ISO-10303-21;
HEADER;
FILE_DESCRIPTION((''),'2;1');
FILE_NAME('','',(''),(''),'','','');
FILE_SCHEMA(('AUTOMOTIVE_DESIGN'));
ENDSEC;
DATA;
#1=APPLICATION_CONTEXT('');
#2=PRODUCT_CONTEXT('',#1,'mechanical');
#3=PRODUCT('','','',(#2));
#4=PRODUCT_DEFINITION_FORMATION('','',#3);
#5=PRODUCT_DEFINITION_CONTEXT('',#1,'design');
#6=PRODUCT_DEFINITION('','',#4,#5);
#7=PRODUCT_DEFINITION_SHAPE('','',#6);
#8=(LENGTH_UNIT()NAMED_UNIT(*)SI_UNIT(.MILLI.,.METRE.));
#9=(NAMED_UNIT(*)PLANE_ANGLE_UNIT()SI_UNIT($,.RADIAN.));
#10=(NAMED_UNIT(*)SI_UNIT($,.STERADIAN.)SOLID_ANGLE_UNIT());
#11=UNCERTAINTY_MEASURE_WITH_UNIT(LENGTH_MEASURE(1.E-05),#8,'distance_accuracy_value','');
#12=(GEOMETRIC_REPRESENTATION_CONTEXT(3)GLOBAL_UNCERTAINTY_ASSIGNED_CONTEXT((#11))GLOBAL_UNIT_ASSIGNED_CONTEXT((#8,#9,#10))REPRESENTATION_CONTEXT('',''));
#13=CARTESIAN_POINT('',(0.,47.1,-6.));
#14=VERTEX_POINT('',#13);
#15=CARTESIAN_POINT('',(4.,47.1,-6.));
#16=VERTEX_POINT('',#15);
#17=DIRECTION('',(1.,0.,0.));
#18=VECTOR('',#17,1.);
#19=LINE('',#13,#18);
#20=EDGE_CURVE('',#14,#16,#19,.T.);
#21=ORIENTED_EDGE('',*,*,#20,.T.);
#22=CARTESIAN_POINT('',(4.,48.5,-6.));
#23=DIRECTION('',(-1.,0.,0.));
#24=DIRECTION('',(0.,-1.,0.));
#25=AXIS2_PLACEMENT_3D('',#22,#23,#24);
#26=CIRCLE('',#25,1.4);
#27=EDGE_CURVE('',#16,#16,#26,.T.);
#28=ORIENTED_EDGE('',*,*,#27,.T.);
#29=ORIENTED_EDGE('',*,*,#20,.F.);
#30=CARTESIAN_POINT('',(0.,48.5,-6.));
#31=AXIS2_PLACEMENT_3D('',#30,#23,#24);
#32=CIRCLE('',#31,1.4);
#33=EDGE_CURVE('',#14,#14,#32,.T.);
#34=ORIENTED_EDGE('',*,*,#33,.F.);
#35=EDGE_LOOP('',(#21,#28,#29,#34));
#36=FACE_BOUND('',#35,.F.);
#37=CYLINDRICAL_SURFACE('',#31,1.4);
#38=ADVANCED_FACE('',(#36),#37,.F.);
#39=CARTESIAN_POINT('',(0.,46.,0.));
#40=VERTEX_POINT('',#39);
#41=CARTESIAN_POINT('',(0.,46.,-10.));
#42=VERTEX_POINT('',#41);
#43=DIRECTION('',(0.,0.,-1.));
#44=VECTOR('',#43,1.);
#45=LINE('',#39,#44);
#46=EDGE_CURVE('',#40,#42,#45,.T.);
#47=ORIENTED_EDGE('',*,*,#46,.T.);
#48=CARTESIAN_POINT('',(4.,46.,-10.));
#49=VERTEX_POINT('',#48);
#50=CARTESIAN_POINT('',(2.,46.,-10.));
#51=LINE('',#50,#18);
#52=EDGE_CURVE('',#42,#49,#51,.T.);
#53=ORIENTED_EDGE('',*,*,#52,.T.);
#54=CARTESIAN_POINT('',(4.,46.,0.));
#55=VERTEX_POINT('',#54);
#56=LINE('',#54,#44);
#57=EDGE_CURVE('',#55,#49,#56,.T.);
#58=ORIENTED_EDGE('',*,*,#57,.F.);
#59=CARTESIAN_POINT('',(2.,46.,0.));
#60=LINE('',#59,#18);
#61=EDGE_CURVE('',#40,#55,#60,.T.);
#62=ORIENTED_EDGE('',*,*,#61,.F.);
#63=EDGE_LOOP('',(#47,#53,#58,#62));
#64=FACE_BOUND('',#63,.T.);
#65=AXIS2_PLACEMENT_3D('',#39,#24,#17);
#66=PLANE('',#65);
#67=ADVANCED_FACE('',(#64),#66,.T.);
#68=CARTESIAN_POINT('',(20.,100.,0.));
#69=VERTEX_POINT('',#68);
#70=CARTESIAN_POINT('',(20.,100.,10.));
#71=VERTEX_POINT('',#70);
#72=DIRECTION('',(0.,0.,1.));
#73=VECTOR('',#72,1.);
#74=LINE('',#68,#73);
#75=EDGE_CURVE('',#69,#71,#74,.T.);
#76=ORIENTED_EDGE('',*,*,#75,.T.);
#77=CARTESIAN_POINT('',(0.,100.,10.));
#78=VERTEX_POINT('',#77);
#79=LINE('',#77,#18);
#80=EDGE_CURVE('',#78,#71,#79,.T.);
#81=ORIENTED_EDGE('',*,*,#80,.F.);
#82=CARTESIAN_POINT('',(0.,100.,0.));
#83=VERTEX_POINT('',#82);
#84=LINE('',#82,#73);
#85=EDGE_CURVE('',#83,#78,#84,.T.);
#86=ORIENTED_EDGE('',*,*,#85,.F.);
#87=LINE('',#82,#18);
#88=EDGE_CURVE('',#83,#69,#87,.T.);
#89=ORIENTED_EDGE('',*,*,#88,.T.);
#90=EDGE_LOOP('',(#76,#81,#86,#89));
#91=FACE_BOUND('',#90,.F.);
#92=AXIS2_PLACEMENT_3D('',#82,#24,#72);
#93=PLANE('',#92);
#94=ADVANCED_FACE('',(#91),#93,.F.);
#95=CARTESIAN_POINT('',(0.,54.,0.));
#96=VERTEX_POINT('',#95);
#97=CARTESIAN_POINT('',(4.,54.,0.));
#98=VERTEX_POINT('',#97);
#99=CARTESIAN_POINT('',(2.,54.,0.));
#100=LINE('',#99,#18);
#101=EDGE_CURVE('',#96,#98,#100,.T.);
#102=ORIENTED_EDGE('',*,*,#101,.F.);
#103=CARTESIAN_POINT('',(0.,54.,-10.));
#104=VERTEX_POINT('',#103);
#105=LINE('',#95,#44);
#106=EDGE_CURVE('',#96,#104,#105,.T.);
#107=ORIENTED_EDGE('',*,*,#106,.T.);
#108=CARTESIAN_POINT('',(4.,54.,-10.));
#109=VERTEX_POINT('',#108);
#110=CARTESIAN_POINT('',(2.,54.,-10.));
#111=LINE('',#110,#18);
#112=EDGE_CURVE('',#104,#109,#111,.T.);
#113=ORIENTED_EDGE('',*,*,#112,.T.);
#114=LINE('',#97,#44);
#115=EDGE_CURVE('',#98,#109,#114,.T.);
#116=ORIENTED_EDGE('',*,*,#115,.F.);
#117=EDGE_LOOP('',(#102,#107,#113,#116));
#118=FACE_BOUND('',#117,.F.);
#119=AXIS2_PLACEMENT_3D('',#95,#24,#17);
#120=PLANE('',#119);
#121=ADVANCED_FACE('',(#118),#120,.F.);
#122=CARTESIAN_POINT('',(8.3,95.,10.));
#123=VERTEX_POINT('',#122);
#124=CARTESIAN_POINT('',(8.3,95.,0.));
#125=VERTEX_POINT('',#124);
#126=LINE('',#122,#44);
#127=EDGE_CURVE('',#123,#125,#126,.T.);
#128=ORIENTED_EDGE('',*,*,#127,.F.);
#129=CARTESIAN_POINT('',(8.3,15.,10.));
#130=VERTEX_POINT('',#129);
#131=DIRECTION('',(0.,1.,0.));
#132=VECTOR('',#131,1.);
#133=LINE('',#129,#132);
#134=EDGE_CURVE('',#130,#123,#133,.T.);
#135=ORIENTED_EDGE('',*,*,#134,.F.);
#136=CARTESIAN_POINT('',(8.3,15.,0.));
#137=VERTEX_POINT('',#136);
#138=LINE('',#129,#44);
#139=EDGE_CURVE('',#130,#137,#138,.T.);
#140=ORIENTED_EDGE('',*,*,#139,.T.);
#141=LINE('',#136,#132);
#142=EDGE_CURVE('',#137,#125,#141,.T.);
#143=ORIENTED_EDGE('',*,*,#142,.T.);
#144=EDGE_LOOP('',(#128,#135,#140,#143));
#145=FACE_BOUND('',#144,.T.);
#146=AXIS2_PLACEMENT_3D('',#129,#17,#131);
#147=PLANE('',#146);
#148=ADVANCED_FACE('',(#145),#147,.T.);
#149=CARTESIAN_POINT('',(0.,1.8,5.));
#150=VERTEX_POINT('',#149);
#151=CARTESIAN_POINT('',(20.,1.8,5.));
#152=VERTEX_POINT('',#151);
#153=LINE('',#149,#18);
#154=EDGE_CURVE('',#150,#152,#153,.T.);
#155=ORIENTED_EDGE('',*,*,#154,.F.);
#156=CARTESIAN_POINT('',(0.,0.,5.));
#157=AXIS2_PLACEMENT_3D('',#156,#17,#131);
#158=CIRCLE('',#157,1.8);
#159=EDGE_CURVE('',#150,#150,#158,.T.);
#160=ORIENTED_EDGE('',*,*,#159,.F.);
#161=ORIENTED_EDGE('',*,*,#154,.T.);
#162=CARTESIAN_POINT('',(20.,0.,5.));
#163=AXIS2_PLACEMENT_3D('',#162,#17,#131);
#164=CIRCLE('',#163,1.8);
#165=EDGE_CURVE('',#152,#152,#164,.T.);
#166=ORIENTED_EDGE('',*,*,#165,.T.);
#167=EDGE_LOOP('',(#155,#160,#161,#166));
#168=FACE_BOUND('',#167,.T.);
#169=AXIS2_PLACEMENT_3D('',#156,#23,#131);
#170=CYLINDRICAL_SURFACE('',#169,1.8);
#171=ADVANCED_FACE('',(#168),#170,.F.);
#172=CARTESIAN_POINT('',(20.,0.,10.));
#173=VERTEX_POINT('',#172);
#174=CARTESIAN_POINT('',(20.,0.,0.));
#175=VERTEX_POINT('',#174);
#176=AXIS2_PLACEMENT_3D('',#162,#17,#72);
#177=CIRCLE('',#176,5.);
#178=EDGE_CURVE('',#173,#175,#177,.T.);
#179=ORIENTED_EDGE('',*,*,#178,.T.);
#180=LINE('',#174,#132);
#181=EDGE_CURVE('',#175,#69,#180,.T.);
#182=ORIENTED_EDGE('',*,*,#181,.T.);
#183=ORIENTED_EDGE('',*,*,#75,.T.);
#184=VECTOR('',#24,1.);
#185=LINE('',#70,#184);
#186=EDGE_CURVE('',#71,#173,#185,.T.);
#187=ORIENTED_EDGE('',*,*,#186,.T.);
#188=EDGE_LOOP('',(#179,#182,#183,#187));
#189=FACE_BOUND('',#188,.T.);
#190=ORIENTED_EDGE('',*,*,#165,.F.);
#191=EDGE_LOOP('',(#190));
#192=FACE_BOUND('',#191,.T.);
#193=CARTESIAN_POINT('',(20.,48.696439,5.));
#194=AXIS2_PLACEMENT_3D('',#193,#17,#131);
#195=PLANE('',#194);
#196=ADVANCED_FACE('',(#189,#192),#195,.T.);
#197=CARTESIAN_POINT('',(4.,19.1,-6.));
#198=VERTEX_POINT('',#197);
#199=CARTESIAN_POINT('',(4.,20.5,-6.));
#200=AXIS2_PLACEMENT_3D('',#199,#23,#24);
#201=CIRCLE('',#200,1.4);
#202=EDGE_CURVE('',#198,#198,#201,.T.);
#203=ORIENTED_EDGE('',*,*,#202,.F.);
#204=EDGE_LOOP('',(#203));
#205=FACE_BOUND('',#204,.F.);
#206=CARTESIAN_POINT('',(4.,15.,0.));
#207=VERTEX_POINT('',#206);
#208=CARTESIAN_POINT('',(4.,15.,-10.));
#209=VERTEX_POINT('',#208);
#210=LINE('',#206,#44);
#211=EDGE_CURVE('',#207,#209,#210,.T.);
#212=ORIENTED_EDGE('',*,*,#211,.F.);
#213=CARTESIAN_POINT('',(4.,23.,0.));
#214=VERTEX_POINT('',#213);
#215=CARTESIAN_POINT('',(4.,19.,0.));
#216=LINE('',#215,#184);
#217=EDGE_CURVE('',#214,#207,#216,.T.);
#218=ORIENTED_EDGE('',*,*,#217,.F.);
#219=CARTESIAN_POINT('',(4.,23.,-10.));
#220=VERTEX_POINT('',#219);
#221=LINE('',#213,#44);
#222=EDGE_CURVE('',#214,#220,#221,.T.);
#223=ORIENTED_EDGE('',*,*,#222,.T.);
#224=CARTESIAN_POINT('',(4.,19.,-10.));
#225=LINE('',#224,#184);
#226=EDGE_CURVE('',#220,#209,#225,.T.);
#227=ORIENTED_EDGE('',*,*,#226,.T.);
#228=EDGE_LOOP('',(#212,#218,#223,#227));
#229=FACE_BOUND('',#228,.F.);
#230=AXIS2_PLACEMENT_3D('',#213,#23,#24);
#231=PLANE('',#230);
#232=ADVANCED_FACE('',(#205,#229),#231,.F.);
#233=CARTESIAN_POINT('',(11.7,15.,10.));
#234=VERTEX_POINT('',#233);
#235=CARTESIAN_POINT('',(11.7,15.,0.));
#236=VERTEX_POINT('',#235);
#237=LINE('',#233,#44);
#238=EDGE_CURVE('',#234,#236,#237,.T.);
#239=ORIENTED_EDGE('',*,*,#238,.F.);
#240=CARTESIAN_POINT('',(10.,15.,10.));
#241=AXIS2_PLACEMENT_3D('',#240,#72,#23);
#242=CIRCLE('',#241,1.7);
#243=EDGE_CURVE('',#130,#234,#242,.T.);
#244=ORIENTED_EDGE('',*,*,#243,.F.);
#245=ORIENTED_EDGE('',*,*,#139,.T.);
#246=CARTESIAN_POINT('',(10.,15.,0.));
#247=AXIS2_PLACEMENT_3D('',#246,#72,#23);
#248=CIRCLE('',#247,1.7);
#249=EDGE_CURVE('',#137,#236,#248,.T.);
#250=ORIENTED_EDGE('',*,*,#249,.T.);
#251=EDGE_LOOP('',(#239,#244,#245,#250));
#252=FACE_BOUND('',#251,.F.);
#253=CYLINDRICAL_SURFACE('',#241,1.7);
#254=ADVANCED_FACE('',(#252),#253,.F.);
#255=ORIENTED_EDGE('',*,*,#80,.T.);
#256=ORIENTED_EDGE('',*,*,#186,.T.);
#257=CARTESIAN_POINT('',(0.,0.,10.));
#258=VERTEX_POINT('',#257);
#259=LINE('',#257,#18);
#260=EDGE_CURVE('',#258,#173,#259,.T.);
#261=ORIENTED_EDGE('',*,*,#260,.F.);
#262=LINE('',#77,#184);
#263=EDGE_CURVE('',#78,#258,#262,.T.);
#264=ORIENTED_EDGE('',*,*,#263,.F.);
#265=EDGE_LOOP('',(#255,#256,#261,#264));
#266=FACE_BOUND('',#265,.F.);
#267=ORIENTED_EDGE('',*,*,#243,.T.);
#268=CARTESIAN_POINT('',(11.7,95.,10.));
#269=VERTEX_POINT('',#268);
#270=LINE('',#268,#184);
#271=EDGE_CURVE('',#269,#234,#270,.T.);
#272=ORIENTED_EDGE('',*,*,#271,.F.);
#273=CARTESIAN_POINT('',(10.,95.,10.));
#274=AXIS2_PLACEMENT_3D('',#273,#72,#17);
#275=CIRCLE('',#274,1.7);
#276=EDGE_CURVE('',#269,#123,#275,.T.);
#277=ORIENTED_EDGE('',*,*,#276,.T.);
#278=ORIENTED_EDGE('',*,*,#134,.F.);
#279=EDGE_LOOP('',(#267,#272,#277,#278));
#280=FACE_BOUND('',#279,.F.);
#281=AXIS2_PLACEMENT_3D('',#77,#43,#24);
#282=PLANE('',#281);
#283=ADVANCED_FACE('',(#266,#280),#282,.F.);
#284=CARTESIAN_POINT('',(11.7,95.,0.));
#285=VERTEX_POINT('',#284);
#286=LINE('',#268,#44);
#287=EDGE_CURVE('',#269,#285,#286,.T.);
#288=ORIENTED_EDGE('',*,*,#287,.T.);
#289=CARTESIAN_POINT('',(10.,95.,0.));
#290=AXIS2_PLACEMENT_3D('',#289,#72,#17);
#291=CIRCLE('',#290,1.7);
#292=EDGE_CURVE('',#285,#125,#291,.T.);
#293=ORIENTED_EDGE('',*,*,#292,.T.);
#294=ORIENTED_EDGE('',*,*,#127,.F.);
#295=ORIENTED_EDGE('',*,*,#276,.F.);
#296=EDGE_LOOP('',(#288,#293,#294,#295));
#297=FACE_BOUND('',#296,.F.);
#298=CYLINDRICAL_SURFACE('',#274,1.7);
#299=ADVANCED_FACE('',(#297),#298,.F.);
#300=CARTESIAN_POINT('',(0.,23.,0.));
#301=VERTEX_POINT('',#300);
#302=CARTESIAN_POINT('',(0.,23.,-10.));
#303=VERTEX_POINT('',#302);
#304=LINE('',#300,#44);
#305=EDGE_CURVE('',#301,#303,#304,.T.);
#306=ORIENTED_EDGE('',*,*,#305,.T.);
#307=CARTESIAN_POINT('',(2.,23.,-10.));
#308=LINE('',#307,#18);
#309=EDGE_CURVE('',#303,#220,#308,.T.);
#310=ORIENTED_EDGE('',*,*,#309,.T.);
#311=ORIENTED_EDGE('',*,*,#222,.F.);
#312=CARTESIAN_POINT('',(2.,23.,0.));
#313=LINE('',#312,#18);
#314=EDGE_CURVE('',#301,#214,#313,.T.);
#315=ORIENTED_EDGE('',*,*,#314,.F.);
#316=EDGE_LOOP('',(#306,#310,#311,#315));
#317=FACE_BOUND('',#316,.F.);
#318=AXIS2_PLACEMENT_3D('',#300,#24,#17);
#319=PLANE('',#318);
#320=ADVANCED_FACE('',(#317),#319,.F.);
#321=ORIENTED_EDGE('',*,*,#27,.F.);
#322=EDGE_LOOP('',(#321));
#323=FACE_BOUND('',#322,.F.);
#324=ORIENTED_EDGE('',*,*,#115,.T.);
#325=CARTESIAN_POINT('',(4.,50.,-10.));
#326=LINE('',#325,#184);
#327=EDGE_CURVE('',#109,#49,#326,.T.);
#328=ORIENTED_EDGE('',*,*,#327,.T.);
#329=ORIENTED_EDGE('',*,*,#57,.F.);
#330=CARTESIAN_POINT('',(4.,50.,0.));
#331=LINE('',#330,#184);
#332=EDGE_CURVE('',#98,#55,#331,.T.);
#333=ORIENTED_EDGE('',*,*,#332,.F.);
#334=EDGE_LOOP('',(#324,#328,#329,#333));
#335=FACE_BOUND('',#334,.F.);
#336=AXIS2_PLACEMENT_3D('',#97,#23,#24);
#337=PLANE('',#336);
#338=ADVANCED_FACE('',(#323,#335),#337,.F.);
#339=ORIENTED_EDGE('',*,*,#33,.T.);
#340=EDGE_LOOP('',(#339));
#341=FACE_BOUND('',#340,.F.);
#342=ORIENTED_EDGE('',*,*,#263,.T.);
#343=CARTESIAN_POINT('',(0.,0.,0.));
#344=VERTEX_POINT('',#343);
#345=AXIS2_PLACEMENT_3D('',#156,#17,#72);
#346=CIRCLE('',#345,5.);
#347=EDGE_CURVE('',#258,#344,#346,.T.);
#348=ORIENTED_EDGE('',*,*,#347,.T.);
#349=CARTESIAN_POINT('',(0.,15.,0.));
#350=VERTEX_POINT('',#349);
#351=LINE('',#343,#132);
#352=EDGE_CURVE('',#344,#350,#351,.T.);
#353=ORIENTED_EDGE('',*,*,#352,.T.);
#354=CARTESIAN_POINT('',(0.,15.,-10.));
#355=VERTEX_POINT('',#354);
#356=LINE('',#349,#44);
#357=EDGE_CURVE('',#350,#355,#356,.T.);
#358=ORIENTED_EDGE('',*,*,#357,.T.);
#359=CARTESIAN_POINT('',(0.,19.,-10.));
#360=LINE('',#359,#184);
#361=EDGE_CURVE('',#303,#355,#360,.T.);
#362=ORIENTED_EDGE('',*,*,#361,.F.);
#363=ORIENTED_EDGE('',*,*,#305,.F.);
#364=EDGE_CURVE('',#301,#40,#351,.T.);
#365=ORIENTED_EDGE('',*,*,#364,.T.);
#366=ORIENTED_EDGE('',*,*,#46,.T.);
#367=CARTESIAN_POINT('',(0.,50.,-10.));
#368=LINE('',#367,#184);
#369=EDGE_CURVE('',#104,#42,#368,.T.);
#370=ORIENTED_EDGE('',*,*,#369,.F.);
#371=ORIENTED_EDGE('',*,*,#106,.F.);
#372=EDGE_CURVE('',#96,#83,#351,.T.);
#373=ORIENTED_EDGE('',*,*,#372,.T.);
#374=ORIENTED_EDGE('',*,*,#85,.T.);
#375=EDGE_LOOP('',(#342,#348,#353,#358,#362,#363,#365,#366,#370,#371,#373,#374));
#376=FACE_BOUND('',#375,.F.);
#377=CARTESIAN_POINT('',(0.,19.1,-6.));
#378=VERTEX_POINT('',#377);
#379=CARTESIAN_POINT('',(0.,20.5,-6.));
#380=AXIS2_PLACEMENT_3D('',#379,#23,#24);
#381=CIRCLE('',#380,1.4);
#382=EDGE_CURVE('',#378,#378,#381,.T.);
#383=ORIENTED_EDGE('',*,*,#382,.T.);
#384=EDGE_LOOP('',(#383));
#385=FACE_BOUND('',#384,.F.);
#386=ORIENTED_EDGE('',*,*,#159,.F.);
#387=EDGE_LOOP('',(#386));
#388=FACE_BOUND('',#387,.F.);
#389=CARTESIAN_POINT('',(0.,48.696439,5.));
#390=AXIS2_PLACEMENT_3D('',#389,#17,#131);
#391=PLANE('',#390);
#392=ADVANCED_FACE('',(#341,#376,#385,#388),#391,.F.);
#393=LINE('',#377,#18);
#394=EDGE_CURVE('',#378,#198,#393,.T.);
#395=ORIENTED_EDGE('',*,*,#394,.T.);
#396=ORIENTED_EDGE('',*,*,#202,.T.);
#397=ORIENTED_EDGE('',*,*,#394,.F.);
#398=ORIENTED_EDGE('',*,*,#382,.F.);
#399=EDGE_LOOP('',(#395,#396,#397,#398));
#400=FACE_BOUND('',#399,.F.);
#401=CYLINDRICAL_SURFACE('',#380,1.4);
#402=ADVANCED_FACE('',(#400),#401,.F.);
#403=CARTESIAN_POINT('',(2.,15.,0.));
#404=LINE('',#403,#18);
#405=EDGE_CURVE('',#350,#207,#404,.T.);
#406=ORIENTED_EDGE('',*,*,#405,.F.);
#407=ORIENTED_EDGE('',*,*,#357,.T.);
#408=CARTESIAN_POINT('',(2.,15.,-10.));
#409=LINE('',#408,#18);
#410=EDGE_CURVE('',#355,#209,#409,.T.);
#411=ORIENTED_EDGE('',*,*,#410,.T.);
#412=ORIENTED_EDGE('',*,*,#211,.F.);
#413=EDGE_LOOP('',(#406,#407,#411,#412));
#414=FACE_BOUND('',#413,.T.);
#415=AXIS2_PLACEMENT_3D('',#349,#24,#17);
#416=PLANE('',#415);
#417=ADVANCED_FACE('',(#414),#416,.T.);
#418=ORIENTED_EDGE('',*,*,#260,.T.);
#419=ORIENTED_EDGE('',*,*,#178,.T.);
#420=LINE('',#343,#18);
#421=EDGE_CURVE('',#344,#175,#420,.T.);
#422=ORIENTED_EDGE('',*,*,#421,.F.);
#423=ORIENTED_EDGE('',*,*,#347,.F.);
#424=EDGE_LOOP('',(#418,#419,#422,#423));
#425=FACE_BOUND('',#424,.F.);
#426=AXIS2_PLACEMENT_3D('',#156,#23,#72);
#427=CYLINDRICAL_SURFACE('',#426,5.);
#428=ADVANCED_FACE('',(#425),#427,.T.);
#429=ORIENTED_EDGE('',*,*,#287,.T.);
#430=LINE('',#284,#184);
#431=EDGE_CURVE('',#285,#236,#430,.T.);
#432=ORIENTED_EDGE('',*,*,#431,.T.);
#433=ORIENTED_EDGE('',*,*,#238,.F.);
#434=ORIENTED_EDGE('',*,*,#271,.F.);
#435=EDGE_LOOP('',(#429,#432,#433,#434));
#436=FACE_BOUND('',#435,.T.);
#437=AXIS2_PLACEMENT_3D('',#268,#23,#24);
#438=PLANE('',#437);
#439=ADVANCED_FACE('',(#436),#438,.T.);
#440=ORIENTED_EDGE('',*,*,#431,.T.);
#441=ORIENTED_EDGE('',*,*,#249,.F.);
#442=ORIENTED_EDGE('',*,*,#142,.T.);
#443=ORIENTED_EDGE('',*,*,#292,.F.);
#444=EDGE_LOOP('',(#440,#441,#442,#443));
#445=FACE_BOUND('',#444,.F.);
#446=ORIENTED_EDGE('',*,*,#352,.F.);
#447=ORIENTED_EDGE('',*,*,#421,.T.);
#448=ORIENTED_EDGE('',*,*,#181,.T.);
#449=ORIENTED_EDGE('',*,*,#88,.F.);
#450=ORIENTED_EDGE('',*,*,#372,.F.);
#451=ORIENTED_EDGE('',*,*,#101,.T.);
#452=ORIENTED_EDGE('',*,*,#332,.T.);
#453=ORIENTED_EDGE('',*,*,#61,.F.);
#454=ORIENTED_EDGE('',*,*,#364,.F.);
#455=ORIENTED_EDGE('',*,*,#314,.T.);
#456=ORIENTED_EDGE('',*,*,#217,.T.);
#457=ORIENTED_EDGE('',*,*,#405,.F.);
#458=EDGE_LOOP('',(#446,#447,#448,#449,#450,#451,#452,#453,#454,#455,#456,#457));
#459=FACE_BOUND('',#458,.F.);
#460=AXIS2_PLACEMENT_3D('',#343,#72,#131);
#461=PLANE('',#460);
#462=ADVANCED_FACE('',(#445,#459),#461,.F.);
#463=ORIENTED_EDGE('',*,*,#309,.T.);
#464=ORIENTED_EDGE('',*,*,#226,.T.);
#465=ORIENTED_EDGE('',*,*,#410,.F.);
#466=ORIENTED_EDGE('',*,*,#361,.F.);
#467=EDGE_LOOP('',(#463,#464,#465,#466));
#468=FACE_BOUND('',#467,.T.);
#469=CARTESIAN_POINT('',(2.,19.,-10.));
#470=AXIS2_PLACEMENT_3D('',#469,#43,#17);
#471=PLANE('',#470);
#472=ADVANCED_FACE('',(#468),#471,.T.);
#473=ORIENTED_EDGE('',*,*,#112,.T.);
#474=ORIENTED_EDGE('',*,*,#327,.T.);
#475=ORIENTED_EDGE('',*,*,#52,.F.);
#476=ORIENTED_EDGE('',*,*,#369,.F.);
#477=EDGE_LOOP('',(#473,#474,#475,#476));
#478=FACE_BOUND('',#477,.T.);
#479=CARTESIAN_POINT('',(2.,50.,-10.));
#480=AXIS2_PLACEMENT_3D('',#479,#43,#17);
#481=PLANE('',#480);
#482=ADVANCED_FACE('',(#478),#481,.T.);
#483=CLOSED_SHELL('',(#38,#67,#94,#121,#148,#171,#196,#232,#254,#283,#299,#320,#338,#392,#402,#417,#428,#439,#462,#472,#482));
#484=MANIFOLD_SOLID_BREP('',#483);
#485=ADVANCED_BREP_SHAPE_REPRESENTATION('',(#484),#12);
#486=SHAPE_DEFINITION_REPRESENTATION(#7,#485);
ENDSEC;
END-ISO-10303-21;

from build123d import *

# Parameters (mm, degrees)
SKETCH_R        = 1.8
PAD_DEPTH       = 20
POCKET_DEPTH    = 10
SKETCH002_W     = 4
SKETCH002_H     = 8
PAD001_DEPTH    = 10
SKETCH003_R     = 1.4
POCKET001_DEPTH = 5


with BuildPart() as part:
    # Sketch → Pad (new body)
    with BuildSketch(Plane.YZ):
        with BuildLine():
            ThreePointArc((0, 10), (-5, 5), (0, 0))
            Line((0, 0), (100, 0))
            Line((100, 0), (100, 10))
            Line((100, 10), (0, 10))
        make_face()
        with Locations((0, 5)):
            Circle(SKETCH_R, mode=Mode.SUBTRACT)
    extrude(amount=PAD_DEPTH)

    # Sketch001 → Pocket (cut)
    with BuildSketch(Plane.XY.offset(10)):
        with BuildLine():
            ThreePointArc((11.7, 95), (10, 96.7), (8.3, 95))
            Line((8.3, 15), (8.3, 95))
            ThreePointArc((8.3, 15), (10, 13.3), (11.7, 15))
            Line((11.7, 95), (11.7, 15))
        make_face()
    extrude(amount=-POCKET_DEPTH, mode=Mode.SUBTRACT)

    # Sketch002 → Pad001 (new body)
    with BuildSketch(Plane(origin=(0, 0, 0), x_dir=(1, 0, 0), z_dir=(0, 0, -1))):
        with Locations((2, -19)):
            Rectangle(SKETCH002_W, SKETCH002_H)
        with Locations((2, -50)):
            Rectangle(SKETCH002_W, SKETCH002_H)
    extrude(amount=PAD001_DEPTH)

    # Sketch003 → Pocket001 (cut)
    with BuildSketch(Plane(origin=(0, 0, 0), x_dir=(0, -1, 0), z_dir=(-1, 0, 0))):
        with Locations((-48.5, -6)):
            Circle(SKETCH003_R)
        with Locations((-20.5, -6)):
            Circle(SKETCH003_R)
    extrude(amount=-POCKET001_DEPTH, mode=Mode.SUBTRACT)


solid = part.part
